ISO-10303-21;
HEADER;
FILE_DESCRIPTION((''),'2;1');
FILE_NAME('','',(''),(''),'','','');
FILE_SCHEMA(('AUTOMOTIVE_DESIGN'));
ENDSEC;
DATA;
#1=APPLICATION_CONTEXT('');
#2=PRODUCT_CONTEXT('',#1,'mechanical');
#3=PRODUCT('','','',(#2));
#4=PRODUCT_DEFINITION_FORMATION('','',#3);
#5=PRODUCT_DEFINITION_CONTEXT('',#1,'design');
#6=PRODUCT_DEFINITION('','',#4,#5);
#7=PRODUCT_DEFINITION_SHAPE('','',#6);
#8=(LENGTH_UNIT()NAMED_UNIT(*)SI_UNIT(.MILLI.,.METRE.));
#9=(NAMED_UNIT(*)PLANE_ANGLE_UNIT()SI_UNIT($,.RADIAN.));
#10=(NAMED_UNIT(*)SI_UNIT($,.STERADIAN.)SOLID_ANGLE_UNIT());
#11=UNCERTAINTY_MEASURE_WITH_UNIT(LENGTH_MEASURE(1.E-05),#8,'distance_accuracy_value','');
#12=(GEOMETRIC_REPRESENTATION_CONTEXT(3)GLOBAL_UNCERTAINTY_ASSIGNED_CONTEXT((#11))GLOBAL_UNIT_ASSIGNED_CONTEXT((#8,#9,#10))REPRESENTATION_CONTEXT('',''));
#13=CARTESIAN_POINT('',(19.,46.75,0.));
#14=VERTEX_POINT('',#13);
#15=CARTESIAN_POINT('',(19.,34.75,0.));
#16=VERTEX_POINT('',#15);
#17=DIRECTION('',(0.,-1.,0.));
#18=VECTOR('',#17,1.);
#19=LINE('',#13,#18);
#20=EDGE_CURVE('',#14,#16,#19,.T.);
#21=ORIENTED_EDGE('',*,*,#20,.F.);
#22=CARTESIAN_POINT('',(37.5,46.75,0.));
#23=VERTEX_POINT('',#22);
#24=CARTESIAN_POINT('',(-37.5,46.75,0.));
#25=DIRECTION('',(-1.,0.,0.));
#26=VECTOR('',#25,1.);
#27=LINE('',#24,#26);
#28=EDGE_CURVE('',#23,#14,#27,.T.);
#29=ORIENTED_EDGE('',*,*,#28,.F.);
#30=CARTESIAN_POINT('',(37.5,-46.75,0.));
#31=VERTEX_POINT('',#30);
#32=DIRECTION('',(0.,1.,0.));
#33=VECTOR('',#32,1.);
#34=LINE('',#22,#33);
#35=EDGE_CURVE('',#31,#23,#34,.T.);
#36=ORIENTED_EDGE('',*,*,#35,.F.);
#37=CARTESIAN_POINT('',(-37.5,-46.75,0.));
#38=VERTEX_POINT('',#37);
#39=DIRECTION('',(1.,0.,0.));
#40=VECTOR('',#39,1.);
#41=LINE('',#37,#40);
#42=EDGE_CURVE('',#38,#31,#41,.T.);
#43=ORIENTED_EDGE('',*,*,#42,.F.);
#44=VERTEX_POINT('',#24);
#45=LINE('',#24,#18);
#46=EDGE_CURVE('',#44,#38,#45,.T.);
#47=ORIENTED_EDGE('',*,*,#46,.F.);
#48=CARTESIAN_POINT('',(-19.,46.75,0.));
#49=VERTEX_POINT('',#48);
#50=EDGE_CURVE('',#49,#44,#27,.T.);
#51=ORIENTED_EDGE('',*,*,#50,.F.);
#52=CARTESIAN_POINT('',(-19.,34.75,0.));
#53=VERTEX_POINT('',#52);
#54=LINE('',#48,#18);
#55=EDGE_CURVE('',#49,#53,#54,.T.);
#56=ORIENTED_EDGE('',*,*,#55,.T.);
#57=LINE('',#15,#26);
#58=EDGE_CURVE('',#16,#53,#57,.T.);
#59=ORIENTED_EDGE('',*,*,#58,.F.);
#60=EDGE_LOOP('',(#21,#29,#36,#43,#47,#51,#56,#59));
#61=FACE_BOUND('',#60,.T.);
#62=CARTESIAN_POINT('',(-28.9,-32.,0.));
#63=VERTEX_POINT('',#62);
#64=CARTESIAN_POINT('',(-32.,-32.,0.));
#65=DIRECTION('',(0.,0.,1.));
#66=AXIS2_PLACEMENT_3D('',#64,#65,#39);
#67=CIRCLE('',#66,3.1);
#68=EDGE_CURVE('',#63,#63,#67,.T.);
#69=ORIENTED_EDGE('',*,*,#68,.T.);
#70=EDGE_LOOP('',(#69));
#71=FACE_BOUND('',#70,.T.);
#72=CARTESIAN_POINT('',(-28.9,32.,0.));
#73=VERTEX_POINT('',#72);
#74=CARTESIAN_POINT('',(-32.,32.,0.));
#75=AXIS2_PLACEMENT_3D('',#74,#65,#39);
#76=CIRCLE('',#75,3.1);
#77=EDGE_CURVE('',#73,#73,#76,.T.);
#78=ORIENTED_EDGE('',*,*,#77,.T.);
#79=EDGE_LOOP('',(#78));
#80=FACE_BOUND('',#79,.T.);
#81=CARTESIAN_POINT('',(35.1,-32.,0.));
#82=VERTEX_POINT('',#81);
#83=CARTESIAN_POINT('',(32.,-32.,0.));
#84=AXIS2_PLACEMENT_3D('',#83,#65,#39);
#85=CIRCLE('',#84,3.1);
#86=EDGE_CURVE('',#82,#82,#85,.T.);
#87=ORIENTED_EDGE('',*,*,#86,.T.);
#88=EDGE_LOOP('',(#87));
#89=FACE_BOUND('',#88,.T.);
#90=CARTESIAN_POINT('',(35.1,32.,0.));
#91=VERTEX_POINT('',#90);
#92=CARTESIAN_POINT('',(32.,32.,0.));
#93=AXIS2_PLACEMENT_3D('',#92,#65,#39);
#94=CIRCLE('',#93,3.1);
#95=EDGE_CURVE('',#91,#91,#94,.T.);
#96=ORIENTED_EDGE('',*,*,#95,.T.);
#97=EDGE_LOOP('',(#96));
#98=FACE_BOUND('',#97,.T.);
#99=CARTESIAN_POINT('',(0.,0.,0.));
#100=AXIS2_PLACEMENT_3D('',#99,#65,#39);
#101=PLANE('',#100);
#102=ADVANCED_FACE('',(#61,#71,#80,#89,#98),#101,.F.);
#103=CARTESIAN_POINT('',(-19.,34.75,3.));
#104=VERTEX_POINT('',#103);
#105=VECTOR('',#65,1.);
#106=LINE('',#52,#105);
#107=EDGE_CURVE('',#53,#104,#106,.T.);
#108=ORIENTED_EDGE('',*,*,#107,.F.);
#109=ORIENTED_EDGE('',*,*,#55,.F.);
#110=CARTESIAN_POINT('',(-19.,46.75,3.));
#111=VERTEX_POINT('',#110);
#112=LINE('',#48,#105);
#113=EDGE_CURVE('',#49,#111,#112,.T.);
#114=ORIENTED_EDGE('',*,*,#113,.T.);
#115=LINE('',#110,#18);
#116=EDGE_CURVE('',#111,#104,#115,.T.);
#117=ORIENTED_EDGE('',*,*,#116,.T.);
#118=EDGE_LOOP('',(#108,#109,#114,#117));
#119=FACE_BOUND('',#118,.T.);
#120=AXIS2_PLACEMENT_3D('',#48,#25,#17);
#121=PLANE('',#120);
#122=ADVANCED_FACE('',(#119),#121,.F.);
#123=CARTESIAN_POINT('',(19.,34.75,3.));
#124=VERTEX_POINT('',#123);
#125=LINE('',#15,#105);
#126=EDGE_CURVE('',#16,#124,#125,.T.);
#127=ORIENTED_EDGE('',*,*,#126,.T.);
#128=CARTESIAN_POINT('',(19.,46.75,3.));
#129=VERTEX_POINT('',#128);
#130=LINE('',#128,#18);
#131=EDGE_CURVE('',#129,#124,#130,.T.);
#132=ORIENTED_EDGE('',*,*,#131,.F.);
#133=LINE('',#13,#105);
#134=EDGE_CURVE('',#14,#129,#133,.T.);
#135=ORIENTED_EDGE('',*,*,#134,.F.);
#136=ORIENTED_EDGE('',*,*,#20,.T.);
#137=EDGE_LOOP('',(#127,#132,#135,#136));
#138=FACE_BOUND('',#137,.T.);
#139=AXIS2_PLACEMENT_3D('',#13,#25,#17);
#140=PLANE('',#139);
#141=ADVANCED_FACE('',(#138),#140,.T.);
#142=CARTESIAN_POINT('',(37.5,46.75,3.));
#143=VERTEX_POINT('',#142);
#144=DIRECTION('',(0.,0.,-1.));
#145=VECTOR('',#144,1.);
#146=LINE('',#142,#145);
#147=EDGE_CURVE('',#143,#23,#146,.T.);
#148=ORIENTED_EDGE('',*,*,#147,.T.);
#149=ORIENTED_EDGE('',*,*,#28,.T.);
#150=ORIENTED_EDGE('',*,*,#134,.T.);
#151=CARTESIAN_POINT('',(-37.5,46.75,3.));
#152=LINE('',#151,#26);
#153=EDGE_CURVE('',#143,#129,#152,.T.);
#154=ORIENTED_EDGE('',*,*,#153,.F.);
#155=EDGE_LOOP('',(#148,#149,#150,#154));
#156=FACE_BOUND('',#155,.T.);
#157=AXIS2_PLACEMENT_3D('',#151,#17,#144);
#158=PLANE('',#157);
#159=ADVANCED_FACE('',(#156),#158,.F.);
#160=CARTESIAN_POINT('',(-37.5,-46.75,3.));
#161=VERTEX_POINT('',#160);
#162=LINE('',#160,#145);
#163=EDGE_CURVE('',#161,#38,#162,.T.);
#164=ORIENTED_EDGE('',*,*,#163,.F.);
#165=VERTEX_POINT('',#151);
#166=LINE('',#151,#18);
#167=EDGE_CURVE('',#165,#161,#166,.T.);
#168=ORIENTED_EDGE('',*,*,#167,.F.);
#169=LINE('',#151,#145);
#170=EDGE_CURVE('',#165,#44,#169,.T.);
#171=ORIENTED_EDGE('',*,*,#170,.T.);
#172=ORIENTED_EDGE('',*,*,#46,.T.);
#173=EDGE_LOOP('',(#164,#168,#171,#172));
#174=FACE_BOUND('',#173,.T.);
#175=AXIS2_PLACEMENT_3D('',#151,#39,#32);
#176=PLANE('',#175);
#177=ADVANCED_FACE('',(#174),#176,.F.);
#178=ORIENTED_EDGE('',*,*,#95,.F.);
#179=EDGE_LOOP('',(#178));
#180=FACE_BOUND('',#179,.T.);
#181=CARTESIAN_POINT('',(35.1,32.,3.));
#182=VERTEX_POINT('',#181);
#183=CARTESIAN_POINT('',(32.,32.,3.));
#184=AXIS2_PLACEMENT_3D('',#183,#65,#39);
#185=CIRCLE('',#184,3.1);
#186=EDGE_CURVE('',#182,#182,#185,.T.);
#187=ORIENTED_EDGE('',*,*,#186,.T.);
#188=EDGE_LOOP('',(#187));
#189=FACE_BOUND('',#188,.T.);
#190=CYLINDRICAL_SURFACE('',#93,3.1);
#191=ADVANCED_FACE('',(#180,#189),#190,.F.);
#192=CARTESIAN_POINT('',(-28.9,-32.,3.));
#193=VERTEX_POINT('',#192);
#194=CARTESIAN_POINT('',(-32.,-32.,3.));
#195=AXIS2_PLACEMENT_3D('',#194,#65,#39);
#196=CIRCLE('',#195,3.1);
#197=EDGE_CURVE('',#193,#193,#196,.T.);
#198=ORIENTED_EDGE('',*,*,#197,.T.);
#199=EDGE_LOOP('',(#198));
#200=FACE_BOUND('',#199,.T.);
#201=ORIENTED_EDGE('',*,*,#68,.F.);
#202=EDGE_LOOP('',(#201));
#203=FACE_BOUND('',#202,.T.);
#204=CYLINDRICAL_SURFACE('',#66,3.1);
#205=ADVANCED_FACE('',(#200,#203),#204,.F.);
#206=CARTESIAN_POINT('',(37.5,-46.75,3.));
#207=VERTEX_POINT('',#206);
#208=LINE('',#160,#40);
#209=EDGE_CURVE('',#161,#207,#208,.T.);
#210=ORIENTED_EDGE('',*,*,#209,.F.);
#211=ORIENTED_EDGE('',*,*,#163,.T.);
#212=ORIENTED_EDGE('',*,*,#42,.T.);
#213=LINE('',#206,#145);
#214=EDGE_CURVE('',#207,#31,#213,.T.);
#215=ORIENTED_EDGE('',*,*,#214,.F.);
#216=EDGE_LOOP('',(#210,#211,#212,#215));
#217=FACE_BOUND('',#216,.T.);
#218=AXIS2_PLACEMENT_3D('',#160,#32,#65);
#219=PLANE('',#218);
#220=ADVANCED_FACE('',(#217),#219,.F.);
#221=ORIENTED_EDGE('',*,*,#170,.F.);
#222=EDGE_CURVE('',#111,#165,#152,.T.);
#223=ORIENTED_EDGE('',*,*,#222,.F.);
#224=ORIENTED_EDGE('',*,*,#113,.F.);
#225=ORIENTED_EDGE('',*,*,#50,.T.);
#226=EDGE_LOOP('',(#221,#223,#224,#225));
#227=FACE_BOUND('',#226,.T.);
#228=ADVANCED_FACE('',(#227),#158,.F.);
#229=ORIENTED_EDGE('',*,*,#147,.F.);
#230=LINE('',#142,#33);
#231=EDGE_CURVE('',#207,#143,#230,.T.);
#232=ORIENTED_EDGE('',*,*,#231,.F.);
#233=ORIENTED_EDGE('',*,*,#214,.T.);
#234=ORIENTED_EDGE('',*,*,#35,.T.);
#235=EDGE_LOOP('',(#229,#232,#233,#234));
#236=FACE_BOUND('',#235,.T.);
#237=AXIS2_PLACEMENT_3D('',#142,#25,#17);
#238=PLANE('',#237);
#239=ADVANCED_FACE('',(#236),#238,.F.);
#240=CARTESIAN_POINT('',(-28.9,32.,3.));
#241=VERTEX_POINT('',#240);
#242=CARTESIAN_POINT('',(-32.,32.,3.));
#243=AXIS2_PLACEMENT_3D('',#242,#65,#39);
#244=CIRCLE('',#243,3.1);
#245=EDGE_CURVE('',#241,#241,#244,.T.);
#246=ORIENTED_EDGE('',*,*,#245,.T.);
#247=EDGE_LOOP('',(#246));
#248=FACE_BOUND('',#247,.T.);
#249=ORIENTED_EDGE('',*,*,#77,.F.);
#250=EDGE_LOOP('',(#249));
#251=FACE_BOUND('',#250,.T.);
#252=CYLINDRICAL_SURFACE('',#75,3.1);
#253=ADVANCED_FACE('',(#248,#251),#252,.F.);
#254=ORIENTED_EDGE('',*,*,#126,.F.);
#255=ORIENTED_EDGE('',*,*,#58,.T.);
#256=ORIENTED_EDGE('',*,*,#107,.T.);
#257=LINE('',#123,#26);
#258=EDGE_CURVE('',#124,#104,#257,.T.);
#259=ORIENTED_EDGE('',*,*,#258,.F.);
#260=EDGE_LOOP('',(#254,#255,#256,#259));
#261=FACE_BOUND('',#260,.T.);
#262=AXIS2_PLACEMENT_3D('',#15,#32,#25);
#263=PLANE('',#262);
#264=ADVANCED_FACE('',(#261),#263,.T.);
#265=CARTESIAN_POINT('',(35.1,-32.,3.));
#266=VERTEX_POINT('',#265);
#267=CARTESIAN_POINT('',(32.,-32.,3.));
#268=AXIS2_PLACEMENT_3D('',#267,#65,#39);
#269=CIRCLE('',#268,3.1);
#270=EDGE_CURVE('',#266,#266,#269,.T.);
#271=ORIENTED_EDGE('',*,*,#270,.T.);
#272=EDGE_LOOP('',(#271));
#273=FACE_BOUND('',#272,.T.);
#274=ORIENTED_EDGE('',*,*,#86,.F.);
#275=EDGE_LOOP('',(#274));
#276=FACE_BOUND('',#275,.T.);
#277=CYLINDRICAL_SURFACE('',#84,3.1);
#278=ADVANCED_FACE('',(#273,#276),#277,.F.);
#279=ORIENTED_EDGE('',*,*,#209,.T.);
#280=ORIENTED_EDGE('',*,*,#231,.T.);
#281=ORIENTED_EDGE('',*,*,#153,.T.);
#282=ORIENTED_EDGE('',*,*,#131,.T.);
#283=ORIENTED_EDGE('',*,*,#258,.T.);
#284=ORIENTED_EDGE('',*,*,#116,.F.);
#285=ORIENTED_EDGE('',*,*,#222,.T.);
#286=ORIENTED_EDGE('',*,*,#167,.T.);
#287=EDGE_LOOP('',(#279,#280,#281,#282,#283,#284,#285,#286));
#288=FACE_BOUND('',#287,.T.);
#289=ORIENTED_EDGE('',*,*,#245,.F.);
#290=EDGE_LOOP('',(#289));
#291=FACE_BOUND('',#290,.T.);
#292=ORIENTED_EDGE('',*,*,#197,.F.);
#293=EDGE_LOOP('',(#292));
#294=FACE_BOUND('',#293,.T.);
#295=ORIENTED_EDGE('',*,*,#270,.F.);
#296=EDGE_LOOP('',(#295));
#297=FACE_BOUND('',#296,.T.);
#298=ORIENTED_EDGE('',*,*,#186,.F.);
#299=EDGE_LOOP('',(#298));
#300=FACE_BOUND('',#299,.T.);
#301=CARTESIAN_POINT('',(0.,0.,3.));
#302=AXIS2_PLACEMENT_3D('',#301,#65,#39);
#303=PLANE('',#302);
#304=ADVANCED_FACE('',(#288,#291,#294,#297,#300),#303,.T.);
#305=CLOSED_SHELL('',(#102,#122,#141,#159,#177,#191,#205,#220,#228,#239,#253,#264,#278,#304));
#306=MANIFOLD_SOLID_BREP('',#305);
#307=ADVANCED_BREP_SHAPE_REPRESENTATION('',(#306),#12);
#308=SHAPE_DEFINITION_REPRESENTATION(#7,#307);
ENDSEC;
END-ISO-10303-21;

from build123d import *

# Parameters (mm, degrees)
SKETCH1_W            = 75
SKETCH1_H            = 93.5
BOSS_EXTRUDE1_DEPTH  = 3
SKETCH2_R            = 3.1
CUT_EXTRUDE1_DEPTH   = 61.006770451
LPATTERN1_COUNT      = 2
LPATTERN1_PITCH      = 64
LPATTERN1_COUNT_DIR2 = 2
LPATTERN1_PITCH_DIR2 = 64
SKETCH3_W            = 38
SKETCH3_H            = 12
CUT_EXTRUDE2_DEPTH   = 61.006770451


with BuildPart() as part:
    # Sketch1 → Boss-Extrude1 (new body)
    with BuildSketch(Plane.XY):
        Rectangle(SKETCH1_W, SKETCH1_H)
    extrude(amount=BOSS_EXTRUDE1_DEPTH)

    # Sketch2 → Cut-Extrude1 (cut, through all)
    with BuildSketch(Plane.XY.offset(3)):
        with Locations((-32, 32)):
            Circle(SKETCH2_R)
    cut_extrude1 = extrude(amount=-CUT_EXTRUDE1_DEPTH, mode=Mode.SUBTRACT)

    # LPattern1: Cut-Extrude1 2 × 2
    with Locations(*[(i * LPATTERN1_PITCH, -j * LPATTERN1_PITCH_DIR2, 0) for i in range(LPATTERN1_COUNT) for j in range(LPATTERN1_COUNT_DIR2) if (i, j) != (0, 0)]):
        add(cut_extrude1, mode=Mode.SUBTRACT)

    # Sketch3 → Cut-Extrude2 (cut, through all)
    with BuildSketch(Plane.XY.offset(3)):
        with Locations((0, 40.75)):
            Rectangle(SKETCH3_W, SKETCH3_H)
    extrude(amount=-CUT_EXTRUDE2_DEPTH, mode=Mode.SUBTRACT)


solid = part.part
